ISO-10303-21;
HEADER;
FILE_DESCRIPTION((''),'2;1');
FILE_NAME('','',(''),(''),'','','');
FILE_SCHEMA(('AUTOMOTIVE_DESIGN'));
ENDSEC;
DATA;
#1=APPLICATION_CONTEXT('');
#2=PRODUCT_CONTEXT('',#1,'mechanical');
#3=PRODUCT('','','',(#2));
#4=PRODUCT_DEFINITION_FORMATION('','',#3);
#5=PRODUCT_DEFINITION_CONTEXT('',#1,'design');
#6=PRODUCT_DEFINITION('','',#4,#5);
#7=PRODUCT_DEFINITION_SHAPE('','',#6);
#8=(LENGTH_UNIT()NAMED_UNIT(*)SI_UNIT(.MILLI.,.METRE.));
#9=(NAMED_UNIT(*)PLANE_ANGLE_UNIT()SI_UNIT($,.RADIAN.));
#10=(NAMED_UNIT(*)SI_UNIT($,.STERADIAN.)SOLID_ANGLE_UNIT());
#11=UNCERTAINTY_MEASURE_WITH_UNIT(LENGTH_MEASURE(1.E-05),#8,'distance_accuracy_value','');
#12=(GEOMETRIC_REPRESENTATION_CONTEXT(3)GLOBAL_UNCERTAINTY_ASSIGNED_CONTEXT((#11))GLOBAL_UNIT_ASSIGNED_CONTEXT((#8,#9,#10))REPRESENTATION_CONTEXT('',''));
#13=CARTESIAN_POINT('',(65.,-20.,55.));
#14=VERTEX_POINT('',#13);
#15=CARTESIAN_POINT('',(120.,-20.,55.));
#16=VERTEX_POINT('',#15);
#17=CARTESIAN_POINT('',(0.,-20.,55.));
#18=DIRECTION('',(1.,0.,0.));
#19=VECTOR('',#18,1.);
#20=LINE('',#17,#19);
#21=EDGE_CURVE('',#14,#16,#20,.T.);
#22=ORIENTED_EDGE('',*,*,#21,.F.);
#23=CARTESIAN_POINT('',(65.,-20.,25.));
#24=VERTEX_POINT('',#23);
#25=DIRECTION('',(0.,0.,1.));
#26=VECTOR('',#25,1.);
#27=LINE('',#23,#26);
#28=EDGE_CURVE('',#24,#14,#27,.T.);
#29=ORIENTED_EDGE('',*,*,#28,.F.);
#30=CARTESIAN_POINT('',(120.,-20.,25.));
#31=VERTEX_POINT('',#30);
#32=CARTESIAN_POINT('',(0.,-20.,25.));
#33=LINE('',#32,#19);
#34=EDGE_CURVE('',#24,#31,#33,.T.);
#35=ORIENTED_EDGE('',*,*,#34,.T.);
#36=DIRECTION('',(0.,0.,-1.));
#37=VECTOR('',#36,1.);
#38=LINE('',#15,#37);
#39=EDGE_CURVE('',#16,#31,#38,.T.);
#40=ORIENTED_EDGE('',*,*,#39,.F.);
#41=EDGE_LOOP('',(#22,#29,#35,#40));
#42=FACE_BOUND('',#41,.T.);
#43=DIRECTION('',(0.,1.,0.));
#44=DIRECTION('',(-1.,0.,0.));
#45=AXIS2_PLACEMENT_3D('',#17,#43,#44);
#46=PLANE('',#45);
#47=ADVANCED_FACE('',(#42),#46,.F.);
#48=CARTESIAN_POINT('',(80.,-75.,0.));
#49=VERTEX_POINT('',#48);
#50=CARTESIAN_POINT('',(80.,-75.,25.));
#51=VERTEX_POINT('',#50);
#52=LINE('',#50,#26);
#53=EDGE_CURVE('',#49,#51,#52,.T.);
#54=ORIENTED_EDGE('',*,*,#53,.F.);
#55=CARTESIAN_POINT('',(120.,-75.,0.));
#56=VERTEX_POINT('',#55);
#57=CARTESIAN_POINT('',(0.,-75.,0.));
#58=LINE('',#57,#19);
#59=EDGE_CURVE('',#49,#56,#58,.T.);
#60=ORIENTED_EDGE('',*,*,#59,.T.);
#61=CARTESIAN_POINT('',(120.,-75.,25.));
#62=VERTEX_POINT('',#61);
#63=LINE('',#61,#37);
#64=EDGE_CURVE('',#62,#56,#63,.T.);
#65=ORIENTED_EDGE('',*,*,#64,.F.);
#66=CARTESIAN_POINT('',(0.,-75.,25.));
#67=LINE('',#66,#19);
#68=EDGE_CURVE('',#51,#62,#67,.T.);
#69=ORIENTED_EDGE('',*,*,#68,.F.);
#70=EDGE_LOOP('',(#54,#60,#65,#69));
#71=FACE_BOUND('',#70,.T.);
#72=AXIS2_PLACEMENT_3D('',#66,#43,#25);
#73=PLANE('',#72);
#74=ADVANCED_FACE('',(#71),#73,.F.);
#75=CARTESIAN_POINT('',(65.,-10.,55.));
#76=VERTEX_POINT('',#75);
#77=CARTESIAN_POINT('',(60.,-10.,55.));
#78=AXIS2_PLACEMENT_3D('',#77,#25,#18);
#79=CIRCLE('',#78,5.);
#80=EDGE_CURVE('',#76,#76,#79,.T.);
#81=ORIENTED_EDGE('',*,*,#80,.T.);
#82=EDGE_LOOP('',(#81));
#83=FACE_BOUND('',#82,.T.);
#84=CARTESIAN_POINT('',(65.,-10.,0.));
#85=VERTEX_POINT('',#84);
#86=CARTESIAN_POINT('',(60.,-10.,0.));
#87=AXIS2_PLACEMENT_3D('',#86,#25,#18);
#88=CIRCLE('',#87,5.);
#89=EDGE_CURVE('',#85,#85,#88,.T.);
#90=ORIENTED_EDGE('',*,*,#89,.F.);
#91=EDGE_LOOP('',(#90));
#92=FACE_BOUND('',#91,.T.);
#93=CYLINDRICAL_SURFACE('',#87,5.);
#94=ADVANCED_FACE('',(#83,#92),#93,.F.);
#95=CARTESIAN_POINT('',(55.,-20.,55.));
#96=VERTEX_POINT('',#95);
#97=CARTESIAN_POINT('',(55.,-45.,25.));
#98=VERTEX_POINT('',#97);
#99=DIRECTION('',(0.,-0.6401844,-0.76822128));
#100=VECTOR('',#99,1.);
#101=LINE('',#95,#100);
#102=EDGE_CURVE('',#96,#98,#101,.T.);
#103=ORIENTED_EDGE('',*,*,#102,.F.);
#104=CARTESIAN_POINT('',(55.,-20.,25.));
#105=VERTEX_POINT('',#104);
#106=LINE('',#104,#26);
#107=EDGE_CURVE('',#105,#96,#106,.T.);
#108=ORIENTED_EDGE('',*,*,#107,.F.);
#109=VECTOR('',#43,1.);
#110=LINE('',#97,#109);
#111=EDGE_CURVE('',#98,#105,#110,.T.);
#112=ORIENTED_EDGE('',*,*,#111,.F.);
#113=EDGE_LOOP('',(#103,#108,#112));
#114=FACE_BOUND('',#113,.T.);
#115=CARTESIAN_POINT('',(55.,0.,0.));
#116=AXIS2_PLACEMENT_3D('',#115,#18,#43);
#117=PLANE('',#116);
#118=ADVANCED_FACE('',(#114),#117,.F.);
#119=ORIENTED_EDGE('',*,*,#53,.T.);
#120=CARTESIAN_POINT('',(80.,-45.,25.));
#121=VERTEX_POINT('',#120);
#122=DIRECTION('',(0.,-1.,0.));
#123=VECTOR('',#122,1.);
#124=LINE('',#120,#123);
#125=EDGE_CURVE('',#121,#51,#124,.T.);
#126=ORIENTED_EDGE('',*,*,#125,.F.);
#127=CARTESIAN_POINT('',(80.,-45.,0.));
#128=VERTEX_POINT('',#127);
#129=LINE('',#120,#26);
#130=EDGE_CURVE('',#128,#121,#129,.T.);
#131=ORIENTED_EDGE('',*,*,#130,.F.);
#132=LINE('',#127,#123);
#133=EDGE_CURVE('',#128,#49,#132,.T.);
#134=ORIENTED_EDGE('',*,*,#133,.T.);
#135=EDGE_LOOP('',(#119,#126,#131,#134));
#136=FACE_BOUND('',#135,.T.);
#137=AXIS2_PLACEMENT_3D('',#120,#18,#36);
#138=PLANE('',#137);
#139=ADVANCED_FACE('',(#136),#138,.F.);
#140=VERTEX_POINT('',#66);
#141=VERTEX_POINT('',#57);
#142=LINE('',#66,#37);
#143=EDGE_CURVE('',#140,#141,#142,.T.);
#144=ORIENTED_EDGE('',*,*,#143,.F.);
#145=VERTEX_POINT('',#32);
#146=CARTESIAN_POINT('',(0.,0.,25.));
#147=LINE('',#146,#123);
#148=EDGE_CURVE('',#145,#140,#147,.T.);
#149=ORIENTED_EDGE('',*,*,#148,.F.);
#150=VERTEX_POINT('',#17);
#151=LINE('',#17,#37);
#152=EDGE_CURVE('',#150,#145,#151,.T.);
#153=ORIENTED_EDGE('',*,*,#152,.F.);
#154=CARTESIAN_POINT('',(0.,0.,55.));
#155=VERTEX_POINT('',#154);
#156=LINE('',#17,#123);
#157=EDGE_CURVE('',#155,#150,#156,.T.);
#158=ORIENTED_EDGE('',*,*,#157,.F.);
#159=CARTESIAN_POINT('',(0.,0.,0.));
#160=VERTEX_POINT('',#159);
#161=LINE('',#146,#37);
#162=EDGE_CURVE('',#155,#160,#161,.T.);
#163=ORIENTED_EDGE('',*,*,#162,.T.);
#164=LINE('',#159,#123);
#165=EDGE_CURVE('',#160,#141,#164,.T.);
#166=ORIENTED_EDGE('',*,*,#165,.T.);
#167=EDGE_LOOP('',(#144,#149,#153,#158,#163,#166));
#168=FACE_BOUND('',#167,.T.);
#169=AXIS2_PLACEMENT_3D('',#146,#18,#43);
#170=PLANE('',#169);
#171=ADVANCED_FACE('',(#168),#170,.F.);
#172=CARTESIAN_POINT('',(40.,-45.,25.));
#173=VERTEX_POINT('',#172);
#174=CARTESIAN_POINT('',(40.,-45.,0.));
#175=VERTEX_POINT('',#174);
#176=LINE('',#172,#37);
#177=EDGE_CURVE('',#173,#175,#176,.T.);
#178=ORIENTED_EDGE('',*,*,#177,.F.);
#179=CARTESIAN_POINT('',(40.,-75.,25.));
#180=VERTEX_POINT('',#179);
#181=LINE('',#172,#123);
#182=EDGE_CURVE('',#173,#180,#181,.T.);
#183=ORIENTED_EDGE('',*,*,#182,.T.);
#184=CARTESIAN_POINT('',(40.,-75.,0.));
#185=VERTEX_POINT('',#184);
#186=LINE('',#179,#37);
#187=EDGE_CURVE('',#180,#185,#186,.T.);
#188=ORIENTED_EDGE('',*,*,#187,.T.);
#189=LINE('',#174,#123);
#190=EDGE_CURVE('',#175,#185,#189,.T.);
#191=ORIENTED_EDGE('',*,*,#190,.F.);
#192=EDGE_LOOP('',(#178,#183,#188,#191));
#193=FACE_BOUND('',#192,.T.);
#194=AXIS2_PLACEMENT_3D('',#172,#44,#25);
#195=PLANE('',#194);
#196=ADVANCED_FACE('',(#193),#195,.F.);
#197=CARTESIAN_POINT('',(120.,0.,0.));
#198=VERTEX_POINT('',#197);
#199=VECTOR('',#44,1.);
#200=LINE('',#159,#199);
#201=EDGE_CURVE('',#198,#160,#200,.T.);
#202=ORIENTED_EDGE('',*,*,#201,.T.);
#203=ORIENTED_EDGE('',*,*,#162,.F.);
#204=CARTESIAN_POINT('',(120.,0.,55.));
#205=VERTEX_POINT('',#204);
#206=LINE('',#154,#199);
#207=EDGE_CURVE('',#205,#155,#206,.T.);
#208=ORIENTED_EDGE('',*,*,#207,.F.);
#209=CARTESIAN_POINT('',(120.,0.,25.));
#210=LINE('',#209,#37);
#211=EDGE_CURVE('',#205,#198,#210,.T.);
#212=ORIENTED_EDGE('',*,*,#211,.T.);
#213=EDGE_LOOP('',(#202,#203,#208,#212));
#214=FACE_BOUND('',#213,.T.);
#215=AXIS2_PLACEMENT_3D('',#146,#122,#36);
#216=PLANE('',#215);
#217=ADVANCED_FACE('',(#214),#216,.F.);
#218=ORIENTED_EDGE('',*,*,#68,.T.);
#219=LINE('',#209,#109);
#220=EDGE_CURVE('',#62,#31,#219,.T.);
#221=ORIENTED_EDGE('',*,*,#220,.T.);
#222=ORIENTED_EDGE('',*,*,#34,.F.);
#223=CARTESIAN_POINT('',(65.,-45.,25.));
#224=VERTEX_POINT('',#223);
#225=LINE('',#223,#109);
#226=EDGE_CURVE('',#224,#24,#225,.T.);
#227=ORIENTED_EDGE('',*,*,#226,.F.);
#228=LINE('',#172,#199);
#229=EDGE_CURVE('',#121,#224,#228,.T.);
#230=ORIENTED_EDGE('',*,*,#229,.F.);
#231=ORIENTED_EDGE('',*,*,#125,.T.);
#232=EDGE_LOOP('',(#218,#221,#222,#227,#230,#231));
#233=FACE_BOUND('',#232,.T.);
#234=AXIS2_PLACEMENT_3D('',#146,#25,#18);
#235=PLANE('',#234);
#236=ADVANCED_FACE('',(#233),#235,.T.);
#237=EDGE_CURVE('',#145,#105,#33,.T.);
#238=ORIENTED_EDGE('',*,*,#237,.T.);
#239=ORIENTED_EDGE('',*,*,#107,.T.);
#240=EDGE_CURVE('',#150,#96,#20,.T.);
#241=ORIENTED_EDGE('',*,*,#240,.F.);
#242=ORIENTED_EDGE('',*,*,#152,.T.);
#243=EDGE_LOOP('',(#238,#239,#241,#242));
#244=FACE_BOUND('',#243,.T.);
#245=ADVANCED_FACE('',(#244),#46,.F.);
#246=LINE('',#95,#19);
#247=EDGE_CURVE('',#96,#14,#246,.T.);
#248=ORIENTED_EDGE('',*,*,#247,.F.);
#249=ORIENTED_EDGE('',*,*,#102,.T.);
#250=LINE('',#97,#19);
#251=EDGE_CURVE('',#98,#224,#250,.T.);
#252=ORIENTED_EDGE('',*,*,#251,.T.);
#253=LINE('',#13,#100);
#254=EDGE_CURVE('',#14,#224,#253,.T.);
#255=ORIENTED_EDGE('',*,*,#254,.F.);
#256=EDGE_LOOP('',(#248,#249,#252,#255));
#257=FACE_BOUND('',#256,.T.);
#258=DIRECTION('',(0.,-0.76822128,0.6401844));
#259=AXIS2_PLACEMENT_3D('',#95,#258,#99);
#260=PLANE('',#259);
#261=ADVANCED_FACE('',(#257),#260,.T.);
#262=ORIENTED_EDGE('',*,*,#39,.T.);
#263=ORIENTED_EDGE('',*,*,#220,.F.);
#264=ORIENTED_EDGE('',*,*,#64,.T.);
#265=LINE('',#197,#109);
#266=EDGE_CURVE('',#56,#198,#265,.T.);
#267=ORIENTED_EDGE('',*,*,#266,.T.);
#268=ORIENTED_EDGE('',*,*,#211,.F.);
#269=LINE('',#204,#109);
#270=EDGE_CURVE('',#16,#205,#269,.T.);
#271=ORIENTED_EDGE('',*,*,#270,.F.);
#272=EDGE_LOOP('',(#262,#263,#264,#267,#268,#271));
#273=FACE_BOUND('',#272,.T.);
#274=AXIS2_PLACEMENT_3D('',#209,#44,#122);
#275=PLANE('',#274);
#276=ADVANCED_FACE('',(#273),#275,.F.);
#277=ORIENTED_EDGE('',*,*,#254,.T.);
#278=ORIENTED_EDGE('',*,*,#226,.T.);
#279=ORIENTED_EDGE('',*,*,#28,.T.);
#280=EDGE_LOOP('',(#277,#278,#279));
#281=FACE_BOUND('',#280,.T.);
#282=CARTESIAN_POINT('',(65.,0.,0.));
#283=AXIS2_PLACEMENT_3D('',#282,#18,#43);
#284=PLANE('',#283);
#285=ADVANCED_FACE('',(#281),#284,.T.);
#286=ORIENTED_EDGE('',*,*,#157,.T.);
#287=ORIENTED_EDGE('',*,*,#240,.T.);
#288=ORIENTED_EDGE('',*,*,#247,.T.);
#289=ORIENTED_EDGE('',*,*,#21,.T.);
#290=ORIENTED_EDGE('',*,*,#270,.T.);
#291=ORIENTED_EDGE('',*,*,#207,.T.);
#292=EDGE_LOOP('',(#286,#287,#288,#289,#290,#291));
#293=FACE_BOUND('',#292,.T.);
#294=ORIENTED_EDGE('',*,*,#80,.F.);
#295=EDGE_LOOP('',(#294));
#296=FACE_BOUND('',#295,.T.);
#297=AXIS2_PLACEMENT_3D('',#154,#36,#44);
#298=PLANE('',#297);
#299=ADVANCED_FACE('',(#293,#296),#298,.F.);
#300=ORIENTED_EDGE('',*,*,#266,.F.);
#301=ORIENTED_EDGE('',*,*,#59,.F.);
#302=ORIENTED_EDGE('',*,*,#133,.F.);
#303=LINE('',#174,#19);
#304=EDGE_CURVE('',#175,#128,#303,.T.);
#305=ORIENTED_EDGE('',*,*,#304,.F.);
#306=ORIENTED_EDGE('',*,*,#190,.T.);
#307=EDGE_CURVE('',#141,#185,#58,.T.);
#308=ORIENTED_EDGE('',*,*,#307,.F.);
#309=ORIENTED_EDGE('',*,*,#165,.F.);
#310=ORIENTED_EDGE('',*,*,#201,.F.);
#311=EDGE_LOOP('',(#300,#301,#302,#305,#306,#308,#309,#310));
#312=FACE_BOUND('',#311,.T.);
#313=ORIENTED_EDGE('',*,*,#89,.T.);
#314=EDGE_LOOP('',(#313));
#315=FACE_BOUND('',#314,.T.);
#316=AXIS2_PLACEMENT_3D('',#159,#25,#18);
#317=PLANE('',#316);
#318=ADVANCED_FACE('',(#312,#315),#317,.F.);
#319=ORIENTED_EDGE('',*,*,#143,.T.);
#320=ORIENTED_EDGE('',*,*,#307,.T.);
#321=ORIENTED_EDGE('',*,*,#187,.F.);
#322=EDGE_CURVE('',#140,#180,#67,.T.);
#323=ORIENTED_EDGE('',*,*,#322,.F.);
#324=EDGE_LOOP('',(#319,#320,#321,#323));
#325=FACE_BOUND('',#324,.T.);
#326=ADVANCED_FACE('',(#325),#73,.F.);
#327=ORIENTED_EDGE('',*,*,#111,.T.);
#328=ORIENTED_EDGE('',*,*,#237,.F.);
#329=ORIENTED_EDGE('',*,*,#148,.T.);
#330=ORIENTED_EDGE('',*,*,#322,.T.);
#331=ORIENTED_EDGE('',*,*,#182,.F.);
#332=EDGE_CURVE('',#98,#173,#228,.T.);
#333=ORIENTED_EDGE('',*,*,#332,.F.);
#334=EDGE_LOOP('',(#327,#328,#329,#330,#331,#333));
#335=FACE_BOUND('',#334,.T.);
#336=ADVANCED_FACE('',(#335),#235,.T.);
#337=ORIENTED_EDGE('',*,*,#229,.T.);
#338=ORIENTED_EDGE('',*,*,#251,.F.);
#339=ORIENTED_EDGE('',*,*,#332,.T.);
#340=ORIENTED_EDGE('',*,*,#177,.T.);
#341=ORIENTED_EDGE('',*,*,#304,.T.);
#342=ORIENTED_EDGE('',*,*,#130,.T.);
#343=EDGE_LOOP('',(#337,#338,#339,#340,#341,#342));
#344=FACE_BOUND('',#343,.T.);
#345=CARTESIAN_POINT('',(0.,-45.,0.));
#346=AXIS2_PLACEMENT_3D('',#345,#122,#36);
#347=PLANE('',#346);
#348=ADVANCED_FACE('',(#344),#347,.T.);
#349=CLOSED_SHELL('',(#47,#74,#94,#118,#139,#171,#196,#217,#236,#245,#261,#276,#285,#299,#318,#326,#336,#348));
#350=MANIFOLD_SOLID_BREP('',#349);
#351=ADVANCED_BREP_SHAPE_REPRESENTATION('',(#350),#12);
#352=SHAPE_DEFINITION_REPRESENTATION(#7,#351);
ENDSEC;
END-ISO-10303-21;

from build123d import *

# Parameters (mm, degrees)
SKETCH_1_W          = 120
SKETCH_1_H          = 75
EXTRUDE_1_DEPTH     = 25
SKETCH_2_W          = 40
SKETCH_2_H          = 25
CUT_EXTRUDE_1_DEPTH = 30
SKETCH_3_W          = 120
SKETCH_3_H          = 20
EXTRUDE_2_DEPTH     = 30
EXTRUDE_START       = -55
EXTRUDE_3_DEPTH     = 10
CUT_EXTRUDE_2_DEPTH = 152.822264507


with BuildPart() as part:
    # Эскиз1 → Бобышка-Вытянуть1 (new body)
    with BuildSketch(Plane.XY):
        with Locations((60, -37.5)):
            Rectangle(SKETCH_1_W, SKETCH_1_H)
    extrude(amount=EXTRUDE_1_DEPTH)

    # Эскиз2 → Вырез-Вытянуть1 (cut)
    with BuildSketch(Plane.XZ.offset(75)):
        with Locations((60, 12.5)):
            Rectangle(SKETCH_2_W, SKETCH_2_H)
    extrude(amount=-CUT_EXTRUDE_1_DEPTH, mode=Mode.SUBTRACT)

    # Эскиз3 → Бобышка-Вытянуть2 (add)
    with BuildSketch(Plane.XY.offset(25)):
        with Locations((60, -10)):
            Rectangle(SKETCH_3_W, SKETCH_3_H)
    extrude(amount=EXTRUDE_2_DEPTH)

    # Эскиз5 → Бобышка-Вытянуть3 (add)
    with BuildSketch(Plane(origin=(120, 0, 0), x_dir=(0, 0, -1), z_dir=(1, 0, 0)).offset(EXTRUDE_START)):
        Polygon((-55, -20), (-25, -45), (-25, -20), align=None)
    extrude(amount=-EXTRUDE_3_DEPTH)

    # Эскиз6 → Вырез-Вытянуть2 (cut, through all)
    with BuildSketch(Plane.XY.offset(55)):
        with BuildLine():
            ThreePointArc((55, -10), (56.464466094, -13.535533906), (60, -15))
            Line((60, -15), (60, -10))
            Line((60, -10), (55, -10))
        make_face()
        with BuildLine():
            Line((60, -10), (60, -15))
            ThreePointArc((60, -15), (63.535533906, -13.535533906), (65, -10))
            Line((65, -10), (60, -10))
        make_face()
        with BuildLine():
            Line((55, -10), (60, -10))
            Line((60, -10), (60, -5))
            ThreePointArc((60, -5), (56.464466094, -6.464466094), (55, -10))
        make_face()
        with BuildLine():
            Line((60, -5), (60, -10))
            Line((60, -10), (65, -10))
            ThreePointArc((65, -10), (63.535533906, -6.464466094), (60, -5))
        make_face()
    extrude(amount=-CUT_EXTRUDE_2_DEPTH, mode=Mode.SUBTRACT)


solid = part.part
